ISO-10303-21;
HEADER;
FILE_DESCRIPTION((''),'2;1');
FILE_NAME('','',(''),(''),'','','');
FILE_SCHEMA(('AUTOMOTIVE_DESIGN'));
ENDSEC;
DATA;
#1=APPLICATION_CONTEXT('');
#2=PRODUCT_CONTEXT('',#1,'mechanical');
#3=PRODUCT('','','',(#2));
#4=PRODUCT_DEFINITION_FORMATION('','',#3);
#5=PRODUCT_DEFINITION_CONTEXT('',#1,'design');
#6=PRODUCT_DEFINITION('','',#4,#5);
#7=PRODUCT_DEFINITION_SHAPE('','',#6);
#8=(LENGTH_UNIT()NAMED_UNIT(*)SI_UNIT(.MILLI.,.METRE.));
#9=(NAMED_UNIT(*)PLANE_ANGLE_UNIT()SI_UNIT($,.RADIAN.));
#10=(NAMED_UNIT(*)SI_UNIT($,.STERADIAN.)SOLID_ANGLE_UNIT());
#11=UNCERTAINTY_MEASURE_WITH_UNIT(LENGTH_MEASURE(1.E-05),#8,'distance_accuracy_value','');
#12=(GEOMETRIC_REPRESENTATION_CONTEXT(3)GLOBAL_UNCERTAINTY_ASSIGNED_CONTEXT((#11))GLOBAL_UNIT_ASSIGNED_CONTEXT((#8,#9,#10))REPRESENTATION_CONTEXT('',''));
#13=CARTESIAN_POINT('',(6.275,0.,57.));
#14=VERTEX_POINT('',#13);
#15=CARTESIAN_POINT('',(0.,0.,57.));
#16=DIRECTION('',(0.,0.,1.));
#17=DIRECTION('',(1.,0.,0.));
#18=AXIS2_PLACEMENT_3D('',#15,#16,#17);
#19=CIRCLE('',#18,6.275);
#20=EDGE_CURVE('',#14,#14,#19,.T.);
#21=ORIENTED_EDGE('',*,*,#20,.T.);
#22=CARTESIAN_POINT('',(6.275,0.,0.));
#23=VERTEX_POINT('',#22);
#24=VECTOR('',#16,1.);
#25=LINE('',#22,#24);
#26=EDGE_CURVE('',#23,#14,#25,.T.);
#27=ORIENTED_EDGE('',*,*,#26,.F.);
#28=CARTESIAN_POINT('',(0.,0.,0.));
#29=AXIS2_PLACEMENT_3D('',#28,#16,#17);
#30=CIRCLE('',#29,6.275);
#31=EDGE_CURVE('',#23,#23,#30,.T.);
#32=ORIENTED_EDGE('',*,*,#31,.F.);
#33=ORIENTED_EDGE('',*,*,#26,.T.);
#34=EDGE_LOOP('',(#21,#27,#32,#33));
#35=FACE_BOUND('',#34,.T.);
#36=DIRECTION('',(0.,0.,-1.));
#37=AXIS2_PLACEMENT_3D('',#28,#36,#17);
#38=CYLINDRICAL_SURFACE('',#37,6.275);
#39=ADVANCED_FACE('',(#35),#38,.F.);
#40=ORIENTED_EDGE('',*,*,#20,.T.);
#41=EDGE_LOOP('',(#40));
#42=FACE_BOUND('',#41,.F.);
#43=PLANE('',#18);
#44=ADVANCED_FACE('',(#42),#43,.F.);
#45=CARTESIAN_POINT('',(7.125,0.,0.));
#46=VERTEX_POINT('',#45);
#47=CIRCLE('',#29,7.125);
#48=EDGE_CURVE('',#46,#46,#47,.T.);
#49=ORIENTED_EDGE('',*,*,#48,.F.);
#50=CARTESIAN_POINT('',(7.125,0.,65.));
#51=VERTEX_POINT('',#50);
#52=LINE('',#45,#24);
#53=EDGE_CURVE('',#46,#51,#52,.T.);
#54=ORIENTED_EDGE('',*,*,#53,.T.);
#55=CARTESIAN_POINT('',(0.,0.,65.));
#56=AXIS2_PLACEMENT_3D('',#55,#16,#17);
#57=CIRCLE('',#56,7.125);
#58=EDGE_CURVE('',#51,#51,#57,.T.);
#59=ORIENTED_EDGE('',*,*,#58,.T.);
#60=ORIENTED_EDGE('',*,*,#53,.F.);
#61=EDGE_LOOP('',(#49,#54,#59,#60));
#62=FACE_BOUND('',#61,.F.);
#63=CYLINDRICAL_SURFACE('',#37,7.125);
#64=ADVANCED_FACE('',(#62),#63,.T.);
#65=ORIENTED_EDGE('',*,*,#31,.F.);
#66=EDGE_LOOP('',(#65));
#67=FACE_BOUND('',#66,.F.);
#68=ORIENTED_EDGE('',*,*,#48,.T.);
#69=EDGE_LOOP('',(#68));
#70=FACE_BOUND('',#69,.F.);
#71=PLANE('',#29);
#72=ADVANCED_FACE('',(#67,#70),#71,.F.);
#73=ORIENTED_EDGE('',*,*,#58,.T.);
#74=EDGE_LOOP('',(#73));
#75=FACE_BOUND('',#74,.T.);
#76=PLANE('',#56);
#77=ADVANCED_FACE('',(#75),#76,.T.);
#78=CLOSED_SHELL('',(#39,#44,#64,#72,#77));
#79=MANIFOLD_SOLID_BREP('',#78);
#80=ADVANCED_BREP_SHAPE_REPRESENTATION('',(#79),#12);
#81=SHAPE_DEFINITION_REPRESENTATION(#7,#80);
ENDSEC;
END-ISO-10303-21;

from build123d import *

# Parameters (mm, degrees)
F0_R     = 7.125
F0_R_2   = 6.275
F1_DEPTH = 65
F2_DEPTH = 57


with BuildPart() as f1:
    # F0 (on Top) → F1 (new body)
    with BuildSketch(Plane.XY):
        Circle(F0_R)
        Circle(F0_R_2, mode=Mode.SUBTRACT)
        Circle(F0_R_2)
    extrude(amount=F1_DEPTH)

    # F0 (on Top) → F2 (cut)
    with BuildSketch(Plane.XY):
        Circle(F0_R_2)
    extrude(amount=F2_DEPTH, mode=Mode.SUBTRACT)


solid = f1.part
